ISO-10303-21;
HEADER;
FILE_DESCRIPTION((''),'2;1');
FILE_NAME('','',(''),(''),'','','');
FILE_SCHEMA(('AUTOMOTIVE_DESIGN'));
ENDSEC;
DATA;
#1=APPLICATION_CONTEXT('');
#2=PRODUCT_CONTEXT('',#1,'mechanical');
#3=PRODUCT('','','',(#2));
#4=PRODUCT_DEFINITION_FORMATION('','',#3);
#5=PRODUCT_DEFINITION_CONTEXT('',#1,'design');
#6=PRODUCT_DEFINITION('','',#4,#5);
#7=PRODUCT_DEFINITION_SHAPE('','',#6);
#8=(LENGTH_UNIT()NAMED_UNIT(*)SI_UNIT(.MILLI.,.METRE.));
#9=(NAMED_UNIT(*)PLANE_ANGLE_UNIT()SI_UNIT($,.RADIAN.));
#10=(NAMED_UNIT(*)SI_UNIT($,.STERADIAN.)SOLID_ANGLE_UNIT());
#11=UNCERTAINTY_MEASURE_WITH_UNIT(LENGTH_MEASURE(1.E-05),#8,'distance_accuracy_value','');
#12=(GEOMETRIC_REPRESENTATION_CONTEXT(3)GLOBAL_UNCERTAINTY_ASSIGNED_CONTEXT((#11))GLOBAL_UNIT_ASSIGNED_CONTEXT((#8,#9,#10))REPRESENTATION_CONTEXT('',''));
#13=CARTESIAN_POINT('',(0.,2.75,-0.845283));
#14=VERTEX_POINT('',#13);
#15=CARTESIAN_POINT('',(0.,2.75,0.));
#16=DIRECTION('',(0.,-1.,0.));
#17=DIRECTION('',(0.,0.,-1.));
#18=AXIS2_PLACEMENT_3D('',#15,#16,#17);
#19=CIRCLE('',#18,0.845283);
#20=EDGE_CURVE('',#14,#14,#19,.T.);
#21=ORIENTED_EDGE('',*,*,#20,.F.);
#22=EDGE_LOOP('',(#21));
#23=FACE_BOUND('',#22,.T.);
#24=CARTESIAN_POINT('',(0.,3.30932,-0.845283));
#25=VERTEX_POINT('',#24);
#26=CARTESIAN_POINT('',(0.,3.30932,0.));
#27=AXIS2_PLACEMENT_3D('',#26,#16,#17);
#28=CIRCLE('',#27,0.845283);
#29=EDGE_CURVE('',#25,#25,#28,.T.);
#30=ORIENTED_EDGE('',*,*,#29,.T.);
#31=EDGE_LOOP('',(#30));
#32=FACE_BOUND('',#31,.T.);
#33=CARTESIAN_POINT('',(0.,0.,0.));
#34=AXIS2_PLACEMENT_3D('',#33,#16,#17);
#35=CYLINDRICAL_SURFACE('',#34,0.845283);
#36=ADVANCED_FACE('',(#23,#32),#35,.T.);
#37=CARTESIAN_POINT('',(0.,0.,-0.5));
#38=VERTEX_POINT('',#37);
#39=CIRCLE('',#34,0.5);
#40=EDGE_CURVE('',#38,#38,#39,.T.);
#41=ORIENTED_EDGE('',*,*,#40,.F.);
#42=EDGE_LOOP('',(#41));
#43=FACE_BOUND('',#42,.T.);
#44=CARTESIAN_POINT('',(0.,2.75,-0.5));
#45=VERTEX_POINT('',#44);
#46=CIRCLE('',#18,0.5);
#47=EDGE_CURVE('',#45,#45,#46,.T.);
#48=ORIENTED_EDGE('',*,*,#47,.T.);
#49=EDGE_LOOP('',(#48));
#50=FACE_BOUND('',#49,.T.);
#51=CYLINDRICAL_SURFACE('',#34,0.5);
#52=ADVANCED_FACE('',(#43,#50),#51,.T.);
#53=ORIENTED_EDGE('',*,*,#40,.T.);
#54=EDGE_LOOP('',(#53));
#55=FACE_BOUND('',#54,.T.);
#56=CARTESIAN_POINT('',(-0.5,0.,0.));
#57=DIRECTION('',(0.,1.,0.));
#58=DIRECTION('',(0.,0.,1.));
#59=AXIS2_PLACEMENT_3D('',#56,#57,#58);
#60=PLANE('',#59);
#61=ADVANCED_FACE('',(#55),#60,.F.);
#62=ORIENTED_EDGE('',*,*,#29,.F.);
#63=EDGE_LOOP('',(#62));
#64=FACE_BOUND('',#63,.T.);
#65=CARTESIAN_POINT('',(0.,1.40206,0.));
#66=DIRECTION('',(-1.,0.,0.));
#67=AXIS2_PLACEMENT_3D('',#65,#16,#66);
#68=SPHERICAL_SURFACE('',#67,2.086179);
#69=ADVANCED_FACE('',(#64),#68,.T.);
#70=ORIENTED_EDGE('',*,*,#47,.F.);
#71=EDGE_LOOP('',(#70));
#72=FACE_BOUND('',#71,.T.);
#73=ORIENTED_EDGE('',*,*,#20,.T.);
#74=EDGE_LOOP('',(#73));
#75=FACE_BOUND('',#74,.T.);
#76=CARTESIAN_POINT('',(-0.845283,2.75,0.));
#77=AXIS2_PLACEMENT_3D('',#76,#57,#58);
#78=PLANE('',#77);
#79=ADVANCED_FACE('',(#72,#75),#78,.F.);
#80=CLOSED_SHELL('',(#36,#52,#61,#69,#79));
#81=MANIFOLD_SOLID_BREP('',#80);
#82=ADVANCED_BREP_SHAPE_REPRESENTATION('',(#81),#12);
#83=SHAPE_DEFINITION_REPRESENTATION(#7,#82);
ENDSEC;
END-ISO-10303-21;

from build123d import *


with BuildPart() as part:
    # 草圖1 → 旋轉1 (revolve)
    with BuildSketch(Plane.XY, mode=Mode.PRIVATE) as revolve_1_sk:
        with BuildLine():
            Line((0, 0), (0, 3.488239362))
            ThreePointArc((0, 3.488239362), (-0.432005419, 3.443019492), (-0.845282603, 3.309320249))
            Line((-0.845282603, 3.309320249), (-0.845282603, 2.75))
            Line((-0.845282603, 2.75), (-0.5, 2.75))
            Line((-0.5, 2.75), (-0.5, 0))
            Line((-0.5, 0), (0, 0))
        make_face()
    revolve(revolve_1_sk.sketch.rotate(Axis((0, 0, 0), (0, 1, 0)), 270), axis=Axis((0, 0, 0), (0, 1, 0)))


solid = part.part
